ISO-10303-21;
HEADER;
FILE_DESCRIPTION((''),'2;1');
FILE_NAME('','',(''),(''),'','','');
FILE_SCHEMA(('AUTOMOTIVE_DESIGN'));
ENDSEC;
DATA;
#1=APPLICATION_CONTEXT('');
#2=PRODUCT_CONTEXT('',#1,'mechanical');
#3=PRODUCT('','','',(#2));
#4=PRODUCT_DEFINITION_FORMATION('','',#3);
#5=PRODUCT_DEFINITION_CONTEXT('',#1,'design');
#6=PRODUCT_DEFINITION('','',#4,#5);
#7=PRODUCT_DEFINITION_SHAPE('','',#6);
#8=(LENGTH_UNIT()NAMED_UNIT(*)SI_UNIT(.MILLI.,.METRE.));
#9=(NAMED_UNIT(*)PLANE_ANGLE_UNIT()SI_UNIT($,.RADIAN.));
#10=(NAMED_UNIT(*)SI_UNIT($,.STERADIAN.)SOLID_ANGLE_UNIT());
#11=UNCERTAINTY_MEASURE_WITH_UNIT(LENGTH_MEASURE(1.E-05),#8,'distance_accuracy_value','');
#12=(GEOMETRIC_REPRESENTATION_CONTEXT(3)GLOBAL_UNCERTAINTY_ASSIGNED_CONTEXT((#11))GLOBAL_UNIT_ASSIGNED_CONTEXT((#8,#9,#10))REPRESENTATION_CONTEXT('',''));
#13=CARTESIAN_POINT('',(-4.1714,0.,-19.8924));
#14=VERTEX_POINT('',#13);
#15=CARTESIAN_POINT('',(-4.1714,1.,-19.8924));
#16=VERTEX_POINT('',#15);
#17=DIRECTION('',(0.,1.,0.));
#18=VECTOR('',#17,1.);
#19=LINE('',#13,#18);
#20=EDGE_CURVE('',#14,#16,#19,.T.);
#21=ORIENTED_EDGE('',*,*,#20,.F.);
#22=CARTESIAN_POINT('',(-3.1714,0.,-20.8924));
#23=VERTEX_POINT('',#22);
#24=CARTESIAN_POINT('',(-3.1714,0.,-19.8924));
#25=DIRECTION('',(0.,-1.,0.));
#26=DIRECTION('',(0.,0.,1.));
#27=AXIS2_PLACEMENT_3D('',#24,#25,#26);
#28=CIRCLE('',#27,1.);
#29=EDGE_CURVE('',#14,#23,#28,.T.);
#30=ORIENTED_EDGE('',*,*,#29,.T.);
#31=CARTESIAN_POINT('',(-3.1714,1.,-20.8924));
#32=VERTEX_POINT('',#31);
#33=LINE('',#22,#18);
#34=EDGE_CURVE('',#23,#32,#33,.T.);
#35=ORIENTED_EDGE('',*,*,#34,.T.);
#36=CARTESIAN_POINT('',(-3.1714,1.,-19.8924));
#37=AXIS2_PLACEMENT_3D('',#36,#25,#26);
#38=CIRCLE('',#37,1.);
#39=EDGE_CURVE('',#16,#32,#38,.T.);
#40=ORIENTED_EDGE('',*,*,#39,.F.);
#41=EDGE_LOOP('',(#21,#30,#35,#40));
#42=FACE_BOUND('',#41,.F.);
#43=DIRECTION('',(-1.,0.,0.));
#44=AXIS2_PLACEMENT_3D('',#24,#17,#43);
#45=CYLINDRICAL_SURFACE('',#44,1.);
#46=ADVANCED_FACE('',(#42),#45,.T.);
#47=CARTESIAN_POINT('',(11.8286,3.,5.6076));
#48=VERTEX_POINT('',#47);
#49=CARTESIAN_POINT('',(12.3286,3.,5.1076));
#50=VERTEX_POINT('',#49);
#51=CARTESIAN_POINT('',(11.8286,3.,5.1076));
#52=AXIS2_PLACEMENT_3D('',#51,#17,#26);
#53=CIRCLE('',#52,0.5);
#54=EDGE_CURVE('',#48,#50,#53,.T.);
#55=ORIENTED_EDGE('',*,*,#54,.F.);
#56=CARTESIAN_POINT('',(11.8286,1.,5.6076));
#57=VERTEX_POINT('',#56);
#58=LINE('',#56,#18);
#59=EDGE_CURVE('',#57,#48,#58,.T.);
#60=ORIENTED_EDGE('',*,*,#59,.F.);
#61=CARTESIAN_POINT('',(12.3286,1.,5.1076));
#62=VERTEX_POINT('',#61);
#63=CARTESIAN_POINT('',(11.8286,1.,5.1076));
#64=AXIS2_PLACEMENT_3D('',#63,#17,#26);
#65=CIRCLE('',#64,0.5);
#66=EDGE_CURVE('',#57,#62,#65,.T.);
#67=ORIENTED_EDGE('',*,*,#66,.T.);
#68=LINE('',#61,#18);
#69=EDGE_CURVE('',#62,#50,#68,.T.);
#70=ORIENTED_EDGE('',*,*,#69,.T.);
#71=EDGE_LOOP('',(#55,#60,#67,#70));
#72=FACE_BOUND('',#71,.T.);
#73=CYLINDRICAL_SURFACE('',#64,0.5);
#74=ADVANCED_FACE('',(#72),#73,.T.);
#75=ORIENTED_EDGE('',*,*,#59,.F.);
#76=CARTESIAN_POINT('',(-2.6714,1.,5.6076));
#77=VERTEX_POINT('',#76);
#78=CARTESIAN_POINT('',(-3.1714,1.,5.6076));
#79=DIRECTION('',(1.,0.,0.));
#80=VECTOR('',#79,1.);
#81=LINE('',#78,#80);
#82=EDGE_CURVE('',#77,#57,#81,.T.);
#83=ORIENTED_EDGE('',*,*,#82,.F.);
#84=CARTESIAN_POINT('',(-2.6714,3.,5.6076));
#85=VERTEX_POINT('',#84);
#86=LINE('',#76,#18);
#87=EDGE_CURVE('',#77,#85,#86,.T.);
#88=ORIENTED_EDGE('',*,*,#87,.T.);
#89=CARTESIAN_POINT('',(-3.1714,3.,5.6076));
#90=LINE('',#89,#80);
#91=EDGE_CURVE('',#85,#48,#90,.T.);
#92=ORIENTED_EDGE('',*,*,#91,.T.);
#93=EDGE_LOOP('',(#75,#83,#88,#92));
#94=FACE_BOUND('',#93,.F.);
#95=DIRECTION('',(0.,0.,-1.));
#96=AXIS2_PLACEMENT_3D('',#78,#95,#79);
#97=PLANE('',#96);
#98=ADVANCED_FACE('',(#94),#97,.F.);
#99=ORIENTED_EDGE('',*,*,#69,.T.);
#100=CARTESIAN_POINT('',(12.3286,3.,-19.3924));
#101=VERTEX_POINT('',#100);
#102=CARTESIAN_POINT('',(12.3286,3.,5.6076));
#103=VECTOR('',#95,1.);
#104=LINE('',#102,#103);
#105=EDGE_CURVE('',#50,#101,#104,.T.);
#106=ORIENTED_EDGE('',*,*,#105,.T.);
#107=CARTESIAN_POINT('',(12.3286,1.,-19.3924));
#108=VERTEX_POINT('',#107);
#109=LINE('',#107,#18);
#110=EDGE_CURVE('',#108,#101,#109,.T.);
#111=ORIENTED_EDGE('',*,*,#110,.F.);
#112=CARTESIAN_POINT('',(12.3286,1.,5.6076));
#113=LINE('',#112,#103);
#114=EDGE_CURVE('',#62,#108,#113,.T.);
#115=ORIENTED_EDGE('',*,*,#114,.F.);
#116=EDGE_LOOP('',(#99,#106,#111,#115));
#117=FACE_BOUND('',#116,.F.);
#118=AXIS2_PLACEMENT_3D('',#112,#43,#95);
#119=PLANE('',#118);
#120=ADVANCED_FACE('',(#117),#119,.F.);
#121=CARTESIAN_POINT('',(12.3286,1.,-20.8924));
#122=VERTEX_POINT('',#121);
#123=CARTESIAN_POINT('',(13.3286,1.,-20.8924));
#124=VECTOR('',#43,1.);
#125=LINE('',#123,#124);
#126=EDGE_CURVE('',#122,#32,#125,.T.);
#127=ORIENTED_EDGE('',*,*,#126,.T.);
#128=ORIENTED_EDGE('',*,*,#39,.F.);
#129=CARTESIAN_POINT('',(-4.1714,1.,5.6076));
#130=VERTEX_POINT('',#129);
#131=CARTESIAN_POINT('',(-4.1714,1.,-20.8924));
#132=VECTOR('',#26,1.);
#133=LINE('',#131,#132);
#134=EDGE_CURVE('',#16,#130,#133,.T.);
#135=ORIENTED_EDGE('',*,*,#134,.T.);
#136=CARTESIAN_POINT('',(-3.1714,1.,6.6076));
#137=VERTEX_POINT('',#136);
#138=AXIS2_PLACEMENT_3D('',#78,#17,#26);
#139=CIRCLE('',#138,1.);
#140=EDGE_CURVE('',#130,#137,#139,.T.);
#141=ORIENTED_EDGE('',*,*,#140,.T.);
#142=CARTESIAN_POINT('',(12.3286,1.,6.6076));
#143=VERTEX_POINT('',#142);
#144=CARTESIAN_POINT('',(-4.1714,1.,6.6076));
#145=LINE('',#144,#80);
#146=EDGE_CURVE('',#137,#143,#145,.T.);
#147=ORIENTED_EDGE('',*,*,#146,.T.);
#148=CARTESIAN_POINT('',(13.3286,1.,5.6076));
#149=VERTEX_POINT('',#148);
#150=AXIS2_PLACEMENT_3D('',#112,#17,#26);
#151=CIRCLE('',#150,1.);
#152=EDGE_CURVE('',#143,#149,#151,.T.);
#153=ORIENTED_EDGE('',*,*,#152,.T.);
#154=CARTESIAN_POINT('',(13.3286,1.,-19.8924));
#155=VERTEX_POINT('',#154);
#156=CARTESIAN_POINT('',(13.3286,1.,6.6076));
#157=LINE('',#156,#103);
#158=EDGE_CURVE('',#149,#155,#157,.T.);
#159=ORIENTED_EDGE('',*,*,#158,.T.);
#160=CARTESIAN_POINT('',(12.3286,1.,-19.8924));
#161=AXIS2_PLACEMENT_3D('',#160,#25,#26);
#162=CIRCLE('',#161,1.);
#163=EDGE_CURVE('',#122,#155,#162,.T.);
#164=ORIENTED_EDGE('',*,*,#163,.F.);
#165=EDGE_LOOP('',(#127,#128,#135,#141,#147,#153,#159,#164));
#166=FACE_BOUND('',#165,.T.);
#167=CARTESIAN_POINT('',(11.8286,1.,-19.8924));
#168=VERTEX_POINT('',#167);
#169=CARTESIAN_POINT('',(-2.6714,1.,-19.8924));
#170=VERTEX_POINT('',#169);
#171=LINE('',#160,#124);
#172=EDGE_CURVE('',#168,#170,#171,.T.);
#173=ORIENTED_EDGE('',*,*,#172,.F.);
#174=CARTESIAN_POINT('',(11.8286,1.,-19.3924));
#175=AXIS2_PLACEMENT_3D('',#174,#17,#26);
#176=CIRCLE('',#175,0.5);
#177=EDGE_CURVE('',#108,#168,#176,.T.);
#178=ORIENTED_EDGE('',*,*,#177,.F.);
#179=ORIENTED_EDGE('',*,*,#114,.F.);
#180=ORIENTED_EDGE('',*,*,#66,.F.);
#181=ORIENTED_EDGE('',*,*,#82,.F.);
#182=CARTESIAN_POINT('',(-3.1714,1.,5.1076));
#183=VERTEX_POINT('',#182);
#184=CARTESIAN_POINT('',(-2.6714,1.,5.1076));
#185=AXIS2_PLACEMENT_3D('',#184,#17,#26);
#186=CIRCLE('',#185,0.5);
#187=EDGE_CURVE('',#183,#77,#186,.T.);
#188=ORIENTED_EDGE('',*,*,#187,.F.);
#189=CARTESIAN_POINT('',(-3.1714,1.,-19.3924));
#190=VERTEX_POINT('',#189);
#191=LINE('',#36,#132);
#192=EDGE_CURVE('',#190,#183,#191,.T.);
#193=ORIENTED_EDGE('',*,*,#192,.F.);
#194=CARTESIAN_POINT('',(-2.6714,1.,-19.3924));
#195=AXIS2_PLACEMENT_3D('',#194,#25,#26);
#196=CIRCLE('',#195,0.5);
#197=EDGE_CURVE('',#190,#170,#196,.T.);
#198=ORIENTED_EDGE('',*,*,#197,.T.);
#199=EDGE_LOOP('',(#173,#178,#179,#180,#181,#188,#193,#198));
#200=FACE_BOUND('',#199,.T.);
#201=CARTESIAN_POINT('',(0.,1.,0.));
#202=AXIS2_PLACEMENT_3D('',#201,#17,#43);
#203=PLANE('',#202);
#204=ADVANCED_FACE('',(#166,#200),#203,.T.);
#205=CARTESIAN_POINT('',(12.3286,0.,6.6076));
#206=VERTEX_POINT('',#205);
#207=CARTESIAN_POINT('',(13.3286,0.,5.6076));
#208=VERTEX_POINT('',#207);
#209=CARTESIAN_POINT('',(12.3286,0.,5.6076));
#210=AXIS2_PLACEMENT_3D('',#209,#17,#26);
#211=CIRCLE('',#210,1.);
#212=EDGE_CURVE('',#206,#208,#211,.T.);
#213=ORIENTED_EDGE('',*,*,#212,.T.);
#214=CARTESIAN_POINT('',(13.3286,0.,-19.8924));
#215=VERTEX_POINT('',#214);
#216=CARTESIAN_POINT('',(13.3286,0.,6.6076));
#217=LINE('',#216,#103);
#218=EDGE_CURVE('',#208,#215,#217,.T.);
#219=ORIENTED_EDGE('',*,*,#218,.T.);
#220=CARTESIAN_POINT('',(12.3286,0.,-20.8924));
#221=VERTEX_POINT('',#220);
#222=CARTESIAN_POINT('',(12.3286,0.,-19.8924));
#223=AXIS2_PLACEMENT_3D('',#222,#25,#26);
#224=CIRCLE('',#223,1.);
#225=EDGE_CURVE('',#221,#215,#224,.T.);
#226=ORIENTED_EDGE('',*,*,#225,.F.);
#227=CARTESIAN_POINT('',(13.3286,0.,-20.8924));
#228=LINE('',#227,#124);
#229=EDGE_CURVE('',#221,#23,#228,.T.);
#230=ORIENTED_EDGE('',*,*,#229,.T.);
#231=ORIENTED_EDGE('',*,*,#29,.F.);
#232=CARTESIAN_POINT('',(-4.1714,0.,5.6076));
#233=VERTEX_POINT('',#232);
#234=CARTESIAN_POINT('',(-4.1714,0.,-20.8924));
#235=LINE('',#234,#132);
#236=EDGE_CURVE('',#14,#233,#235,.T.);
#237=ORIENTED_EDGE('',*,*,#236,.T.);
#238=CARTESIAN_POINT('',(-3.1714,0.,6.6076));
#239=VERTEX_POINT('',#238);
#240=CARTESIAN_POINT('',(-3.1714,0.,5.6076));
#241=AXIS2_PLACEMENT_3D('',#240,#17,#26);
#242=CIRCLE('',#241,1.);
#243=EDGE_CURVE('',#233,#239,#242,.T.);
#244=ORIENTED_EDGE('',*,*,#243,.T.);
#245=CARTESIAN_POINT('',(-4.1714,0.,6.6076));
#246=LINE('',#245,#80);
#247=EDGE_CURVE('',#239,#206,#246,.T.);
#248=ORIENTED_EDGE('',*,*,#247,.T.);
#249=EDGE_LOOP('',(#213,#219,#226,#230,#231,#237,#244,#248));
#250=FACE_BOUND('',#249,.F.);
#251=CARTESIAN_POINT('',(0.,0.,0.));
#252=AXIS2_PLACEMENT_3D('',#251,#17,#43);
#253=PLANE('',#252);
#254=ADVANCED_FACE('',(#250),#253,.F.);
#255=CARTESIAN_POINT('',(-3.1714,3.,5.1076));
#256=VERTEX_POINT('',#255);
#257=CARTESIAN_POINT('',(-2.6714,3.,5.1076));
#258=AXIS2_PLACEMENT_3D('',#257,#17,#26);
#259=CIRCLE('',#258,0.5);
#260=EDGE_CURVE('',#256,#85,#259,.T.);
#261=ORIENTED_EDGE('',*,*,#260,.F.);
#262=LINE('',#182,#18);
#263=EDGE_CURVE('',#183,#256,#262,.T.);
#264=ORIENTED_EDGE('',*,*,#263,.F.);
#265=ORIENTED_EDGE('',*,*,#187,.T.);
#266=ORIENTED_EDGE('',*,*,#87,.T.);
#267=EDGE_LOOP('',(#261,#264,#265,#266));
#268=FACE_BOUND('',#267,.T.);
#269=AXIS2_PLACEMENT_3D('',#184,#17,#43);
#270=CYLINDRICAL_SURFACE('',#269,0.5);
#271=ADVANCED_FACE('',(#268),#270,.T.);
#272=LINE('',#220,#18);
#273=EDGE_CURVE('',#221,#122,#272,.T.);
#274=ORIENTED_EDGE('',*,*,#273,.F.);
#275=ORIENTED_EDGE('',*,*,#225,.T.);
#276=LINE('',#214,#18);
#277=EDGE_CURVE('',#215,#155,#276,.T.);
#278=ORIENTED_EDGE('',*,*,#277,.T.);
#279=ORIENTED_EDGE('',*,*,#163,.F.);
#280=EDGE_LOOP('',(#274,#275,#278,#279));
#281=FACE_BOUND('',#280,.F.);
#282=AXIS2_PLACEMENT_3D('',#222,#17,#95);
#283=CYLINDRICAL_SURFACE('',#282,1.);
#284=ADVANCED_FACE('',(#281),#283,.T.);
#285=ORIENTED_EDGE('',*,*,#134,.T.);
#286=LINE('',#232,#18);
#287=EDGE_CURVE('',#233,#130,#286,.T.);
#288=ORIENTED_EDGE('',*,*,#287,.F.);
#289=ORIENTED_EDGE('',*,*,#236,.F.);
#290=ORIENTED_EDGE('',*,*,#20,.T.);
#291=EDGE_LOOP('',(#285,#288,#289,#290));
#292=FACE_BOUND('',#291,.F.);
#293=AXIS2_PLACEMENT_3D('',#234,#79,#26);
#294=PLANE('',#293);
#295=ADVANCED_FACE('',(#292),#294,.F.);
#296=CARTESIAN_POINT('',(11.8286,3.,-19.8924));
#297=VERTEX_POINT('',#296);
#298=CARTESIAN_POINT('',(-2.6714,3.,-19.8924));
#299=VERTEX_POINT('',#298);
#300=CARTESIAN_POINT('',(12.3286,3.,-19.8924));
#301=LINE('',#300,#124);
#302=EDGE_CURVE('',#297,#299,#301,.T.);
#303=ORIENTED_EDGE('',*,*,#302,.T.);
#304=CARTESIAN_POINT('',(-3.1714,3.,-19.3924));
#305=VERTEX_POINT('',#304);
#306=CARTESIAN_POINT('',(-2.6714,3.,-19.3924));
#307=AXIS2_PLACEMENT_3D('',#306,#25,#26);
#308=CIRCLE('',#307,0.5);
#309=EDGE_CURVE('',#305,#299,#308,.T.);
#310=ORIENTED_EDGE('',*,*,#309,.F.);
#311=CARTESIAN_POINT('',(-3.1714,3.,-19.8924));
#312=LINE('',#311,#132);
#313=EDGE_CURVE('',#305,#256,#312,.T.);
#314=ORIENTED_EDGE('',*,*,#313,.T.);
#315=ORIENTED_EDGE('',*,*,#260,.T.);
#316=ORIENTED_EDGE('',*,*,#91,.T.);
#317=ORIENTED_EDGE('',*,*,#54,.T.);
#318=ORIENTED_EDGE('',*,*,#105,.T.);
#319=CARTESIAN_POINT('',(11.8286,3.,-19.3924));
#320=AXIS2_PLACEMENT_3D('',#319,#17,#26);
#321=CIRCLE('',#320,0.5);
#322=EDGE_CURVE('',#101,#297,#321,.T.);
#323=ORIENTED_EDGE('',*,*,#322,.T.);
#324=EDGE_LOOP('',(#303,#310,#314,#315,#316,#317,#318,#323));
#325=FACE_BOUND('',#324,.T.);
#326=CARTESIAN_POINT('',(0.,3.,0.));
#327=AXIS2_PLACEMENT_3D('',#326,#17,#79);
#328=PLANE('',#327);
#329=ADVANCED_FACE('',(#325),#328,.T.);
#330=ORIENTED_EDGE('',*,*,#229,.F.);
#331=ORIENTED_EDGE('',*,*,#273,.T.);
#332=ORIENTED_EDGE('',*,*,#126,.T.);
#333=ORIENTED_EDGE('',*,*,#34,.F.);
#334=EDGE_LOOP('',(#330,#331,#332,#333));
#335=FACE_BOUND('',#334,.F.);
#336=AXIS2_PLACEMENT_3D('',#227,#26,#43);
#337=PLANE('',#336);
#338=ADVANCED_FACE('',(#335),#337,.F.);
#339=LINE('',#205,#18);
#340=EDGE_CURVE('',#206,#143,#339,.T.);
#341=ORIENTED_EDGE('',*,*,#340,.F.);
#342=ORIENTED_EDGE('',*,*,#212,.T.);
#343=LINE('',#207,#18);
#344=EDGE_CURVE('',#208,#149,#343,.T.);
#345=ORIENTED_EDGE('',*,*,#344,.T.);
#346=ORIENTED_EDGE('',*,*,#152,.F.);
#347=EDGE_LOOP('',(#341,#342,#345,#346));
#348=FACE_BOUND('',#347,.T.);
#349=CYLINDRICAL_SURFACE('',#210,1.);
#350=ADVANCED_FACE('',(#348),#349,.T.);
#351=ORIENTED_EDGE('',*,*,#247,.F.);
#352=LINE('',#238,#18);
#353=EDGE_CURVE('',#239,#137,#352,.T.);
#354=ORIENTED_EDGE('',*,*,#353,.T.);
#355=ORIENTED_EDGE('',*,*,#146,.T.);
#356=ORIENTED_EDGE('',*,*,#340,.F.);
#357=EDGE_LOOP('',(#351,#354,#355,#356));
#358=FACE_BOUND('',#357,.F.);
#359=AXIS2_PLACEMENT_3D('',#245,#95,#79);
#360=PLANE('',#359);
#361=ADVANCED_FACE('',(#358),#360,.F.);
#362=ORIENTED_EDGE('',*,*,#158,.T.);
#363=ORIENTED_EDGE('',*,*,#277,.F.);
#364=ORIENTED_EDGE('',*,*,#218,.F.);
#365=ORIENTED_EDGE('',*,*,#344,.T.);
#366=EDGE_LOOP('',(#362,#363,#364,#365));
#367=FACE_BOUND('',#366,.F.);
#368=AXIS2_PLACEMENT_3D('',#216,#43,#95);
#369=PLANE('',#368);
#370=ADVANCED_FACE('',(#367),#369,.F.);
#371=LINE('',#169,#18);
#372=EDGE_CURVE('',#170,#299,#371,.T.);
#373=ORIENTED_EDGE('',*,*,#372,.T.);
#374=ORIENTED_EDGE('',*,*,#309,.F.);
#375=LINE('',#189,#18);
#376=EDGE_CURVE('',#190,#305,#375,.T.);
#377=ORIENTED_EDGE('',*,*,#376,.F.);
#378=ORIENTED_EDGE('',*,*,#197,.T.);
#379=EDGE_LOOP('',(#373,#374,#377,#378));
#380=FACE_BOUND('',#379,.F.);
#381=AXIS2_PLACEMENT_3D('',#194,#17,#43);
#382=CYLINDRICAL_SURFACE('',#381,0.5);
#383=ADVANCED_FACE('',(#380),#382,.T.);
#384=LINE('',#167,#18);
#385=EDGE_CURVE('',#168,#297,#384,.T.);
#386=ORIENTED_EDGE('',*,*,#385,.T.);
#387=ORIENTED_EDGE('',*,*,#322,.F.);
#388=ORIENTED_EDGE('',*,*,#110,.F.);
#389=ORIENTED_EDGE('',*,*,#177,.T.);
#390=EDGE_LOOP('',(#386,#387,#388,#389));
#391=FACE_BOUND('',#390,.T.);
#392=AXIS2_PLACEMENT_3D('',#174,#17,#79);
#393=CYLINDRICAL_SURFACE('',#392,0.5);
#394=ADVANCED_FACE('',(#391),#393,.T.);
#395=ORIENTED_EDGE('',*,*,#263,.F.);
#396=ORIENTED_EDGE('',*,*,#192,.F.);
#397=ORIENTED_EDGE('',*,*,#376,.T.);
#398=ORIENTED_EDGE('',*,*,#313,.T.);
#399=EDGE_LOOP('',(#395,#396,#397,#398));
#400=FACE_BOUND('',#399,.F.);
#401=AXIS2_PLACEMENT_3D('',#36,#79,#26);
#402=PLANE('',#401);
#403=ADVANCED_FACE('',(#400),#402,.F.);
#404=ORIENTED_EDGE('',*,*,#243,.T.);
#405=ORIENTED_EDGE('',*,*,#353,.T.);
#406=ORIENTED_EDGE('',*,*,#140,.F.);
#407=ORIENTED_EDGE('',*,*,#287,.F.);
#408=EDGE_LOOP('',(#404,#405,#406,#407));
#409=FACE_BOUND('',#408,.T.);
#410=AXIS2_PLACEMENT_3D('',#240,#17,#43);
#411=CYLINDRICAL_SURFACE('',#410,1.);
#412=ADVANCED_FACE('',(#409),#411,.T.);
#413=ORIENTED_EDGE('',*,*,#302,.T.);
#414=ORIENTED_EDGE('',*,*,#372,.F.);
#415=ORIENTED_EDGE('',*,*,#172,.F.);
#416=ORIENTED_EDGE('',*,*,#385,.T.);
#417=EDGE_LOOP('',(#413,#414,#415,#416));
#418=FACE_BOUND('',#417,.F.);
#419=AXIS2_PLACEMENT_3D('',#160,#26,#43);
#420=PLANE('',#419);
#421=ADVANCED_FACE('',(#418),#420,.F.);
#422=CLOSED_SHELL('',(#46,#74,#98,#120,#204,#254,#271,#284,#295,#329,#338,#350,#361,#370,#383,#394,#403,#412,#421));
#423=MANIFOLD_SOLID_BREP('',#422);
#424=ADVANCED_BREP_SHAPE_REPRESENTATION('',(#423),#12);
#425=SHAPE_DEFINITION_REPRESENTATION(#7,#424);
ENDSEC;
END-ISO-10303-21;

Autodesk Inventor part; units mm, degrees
ref_plane "YZ Plane" through (0, 0, 0) normal (1, 0, 0) x (0, 1, 0)
ref_plane "XZ Plane" through (0, 0, 0) normal (0, 1, 0) x (-1, 0, 0)
ref_plane "XY Plane" through (0, 0, 0) normal (0, 0, 1) x (1, 0, 0)
sketch "Sketch1" plane through (0, 0, 0) normal (0, 1, 0) x (-1, 0, 0)
  point P0 (0, 0)
sketch "Sketch2" plane through (0, 0, 0) normal (0, 1, 0) x (-1, 0, 0)
  line L0 (4.1714, 6.6076) -> (-13.3286, 6.6076)
  line L1 (-13.3286, 6.6076) -> (-13.3286, -20.8924)
  line L2 (-13.3286, -20.8924) -> (4.1714, -20.8924)
  line L3 (4.1714, -20.8924) -> (4.1714, 6.6076)
  point P0 (0, 0)
  dimension "d0" = 17.5
  dimension "d1" = 27.5
extrude "Extrusion1" add sketch "Sketch2" along normal blind 1
sketch "Sketch3" plane through (0, 1, 0) normal (0, 1, 0) x (1, 0, 0)
  line L0 (-4.1714, -6.6076) -> (13.3286, -6.6076) projected
  line L1 (-4.1714, -6.6076) -> (-3.1714, -6.6076)
  line L2 (-3.1714, -6.6076) -> (-3.1714, -5.6076)
  line L3 (-3.1714, -5.6076) -> (12.3286, -5.6076)
  line L4 (12.3286, -5.6076) -> (12.3286, 19.8924)
  line L5 (12.3286, 19.8924) -> (-3.1714, 19.8924)
  line L6 (-3.1714, 19.8924) -> (-3.1714, -5.6076)
  point P0 (0, 0)
  dimension "d4" = 1
  dimension "d5" = 1
  dimension "d6" = 15.5
  dimension "d7" = 25.5
extrude "Extrusion2" add sketch "Sketch3" along normal blind 2
fillet "Fillet1" radius 1 4 edges at (-4.1714, 0.5, -20.8924) (-4.1714, 0.5, 6.6076) (13.3286, 0.5, 6.6076) (13.3286, 0.5, -20.8924)
fillet "Fillet2" radius 0.5 4 edges at (12.3286, 2, -19.8924) (12.3286, 2, 5.6076) (-3.1714, 2, -19.8924) (-3.1714, 2, 5.6076)
properties part number "plug"
